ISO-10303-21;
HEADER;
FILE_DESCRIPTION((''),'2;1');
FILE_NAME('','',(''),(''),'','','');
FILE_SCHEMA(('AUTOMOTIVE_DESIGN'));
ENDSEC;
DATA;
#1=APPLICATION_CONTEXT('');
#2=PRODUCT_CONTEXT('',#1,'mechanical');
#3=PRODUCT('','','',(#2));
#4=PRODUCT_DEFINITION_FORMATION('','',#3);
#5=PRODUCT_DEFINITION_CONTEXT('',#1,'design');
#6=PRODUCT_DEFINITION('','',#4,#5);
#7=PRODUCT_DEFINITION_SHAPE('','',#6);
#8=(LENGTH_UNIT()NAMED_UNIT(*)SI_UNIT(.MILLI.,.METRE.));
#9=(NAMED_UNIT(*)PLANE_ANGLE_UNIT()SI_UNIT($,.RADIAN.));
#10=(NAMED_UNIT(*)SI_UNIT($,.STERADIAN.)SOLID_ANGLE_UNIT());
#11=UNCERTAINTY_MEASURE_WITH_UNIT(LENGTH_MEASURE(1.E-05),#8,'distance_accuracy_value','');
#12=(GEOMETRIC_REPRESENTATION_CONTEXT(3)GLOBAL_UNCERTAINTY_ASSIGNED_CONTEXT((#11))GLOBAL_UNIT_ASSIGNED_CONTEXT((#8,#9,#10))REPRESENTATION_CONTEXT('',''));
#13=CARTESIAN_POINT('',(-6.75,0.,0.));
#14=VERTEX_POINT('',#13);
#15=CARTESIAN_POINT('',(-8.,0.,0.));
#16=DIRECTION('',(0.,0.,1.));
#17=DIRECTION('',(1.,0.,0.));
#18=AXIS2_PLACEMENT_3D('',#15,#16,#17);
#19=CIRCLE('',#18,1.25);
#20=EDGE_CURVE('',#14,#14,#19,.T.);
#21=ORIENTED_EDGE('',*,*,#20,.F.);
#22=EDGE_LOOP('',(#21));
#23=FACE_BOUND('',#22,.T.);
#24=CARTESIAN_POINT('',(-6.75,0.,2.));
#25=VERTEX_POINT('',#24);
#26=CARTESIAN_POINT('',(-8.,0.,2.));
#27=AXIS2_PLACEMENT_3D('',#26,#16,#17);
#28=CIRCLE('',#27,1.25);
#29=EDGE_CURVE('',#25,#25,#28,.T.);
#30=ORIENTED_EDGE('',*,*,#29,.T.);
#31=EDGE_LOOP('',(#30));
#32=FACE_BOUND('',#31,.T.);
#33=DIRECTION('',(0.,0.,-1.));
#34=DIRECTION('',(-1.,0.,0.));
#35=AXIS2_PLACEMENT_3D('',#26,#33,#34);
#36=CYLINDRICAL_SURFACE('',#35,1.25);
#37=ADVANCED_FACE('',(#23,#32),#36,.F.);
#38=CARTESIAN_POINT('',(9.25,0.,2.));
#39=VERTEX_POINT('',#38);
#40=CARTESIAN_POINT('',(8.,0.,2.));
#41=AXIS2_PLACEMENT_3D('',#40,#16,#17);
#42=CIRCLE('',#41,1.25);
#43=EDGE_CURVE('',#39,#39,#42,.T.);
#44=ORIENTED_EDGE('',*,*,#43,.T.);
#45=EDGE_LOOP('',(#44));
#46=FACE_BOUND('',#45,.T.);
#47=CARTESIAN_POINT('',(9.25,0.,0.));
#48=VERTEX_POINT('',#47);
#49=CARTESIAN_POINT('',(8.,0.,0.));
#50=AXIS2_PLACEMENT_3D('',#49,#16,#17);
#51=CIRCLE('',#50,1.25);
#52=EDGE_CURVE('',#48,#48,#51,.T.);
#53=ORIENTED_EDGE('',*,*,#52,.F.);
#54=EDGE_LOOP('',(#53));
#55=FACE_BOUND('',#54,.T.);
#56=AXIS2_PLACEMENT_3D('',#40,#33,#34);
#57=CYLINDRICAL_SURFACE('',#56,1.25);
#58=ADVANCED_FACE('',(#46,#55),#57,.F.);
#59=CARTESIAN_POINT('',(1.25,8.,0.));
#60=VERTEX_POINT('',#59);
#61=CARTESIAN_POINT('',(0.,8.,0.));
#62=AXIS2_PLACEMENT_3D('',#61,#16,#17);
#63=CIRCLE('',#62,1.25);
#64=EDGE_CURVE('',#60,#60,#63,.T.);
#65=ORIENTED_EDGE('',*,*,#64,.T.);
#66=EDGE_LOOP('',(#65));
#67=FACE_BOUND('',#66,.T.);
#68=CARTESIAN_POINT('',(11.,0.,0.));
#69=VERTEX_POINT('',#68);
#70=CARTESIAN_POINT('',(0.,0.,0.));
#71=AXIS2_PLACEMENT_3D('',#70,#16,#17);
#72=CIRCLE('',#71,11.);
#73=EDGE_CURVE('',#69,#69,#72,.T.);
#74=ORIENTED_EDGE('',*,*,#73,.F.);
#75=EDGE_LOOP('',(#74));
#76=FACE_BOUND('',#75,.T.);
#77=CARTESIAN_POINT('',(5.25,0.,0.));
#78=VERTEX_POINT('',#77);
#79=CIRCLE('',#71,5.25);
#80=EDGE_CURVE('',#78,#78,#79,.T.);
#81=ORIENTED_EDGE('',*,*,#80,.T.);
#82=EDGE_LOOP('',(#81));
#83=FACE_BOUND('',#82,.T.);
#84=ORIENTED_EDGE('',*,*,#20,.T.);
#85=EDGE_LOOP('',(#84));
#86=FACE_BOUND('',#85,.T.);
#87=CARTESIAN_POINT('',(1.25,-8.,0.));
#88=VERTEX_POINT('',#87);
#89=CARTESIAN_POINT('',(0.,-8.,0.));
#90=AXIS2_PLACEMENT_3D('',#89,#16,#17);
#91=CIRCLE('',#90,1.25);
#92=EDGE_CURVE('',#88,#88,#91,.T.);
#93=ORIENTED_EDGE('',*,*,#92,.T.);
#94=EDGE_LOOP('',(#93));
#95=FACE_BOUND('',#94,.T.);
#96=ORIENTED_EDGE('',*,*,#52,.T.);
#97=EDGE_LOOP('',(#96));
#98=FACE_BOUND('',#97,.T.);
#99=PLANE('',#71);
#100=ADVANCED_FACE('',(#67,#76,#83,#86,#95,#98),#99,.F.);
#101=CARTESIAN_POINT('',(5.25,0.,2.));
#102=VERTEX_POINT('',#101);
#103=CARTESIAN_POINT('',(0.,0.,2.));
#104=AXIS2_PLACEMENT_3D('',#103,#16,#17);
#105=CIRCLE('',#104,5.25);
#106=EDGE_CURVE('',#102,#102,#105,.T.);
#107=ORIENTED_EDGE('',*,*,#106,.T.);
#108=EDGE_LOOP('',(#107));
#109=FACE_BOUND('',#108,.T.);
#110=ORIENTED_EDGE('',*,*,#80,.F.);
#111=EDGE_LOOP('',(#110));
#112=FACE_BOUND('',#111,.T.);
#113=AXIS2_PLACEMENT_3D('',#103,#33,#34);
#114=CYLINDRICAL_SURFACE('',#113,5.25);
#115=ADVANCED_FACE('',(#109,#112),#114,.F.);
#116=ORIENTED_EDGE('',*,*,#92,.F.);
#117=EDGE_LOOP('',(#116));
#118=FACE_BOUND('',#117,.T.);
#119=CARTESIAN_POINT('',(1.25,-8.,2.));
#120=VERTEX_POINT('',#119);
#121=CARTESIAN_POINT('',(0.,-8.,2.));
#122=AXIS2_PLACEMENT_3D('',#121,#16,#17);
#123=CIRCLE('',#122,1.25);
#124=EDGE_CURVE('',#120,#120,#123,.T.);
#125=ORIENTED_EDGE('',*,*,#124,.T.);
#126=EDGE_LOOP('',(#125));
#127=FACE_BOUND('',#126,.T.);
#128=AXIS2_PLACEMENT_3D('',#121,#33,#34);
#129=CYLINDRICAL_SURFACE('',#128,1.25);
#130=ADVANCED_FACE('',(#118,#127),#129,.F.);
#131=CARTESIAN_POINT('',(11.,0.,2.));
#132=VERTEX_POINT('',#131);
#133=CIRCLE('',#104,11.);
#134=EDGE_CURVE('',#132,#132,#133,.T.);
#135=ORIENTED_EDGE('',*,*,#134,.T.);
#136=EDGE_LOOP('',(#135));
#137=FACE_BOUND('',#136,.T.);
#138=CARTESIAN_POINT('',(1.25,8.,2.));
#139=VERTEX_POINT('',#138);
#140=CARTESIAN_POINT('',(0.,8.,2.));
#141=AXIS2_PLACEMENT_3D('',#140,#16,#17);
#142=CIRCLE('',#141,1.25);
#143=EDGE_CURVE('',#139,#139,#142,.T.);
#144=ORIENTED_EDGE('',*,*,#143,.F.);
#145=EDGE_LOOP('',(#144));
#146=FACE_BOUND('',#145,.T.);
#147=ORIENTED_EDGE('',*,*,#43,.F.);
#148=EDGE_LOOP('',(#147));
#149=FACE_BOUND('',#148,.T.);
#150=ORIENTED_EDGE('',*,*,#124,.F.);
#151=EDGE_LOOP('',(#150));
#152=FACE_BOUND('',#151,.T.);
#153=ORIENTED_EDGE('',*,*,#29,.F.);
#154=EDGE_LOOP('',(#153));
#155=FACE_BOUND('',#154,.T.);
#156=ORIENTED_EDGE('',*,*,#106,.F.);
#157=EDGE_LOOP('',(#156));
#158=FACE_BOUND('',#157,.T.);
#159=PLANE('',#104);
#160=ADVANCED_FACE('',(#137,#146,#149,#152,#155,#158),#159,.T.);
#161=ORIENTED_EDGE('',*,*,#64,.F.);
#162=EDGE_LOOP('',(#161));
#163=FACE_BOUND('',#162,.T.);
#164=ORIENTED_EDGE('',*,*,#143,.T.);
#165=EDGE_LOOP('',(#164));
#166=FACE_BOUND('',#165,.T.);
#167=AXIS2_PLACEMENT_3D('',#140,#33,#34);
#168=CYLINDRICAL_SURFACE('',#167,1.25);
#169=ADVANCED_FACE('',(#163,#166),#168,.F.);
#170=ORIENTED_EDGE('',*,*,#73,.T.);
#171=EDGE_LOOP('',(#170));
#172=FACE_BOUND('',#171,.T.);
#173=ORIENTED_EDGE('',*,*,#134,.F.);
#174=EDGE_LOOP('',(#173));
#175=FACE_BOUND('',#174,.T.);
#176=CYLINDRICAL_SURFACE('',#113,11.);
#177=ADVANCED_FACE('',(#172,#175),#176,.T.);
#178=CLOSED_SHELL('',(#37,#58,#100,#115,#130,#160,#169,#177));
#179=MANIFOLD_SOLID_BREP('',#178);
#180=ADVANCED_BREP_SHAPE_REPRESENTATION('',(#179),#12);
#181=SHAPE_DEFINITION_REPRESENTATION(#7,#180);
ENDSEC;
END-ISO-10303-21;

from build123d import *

# Parameters (mm, degrees)
SKETCH_1_R      = 11
SKETCH_1_R_2    = 5.25
SKETCH_1_R_3    = 1.25
EXTRUDE_1_DEPTH = 2


with BuildPart() as part:
    # 草图1 → 凸台-拉伸1 (new body)
    with BuildSketch(Plane.XY):
        Circle(SKETCH_1_R)
        Circle(SKETCH_1_R_2, mode=Mode.SUBTRACT)
        with Locations((0, 8)):
            Circle(SKETCH_1_R_3, mode=Mode.SUBTRACT)
        with Locations((8, 0)):
            Circle(SKETCH_1_R_3, mode=Mode.SUBTRACT)
        with Locations((0, -8)):
            Circle(SKETCH_1_R_3, mode=Mode.SUBTRACT)
        with Locations((-8, 0)):
            Circle(SKETCH_1_R_3, mode=Mode.SUBTRACT)
    extrude(amount=EXTRUDE_1_DEPTH)


solid = part.part
